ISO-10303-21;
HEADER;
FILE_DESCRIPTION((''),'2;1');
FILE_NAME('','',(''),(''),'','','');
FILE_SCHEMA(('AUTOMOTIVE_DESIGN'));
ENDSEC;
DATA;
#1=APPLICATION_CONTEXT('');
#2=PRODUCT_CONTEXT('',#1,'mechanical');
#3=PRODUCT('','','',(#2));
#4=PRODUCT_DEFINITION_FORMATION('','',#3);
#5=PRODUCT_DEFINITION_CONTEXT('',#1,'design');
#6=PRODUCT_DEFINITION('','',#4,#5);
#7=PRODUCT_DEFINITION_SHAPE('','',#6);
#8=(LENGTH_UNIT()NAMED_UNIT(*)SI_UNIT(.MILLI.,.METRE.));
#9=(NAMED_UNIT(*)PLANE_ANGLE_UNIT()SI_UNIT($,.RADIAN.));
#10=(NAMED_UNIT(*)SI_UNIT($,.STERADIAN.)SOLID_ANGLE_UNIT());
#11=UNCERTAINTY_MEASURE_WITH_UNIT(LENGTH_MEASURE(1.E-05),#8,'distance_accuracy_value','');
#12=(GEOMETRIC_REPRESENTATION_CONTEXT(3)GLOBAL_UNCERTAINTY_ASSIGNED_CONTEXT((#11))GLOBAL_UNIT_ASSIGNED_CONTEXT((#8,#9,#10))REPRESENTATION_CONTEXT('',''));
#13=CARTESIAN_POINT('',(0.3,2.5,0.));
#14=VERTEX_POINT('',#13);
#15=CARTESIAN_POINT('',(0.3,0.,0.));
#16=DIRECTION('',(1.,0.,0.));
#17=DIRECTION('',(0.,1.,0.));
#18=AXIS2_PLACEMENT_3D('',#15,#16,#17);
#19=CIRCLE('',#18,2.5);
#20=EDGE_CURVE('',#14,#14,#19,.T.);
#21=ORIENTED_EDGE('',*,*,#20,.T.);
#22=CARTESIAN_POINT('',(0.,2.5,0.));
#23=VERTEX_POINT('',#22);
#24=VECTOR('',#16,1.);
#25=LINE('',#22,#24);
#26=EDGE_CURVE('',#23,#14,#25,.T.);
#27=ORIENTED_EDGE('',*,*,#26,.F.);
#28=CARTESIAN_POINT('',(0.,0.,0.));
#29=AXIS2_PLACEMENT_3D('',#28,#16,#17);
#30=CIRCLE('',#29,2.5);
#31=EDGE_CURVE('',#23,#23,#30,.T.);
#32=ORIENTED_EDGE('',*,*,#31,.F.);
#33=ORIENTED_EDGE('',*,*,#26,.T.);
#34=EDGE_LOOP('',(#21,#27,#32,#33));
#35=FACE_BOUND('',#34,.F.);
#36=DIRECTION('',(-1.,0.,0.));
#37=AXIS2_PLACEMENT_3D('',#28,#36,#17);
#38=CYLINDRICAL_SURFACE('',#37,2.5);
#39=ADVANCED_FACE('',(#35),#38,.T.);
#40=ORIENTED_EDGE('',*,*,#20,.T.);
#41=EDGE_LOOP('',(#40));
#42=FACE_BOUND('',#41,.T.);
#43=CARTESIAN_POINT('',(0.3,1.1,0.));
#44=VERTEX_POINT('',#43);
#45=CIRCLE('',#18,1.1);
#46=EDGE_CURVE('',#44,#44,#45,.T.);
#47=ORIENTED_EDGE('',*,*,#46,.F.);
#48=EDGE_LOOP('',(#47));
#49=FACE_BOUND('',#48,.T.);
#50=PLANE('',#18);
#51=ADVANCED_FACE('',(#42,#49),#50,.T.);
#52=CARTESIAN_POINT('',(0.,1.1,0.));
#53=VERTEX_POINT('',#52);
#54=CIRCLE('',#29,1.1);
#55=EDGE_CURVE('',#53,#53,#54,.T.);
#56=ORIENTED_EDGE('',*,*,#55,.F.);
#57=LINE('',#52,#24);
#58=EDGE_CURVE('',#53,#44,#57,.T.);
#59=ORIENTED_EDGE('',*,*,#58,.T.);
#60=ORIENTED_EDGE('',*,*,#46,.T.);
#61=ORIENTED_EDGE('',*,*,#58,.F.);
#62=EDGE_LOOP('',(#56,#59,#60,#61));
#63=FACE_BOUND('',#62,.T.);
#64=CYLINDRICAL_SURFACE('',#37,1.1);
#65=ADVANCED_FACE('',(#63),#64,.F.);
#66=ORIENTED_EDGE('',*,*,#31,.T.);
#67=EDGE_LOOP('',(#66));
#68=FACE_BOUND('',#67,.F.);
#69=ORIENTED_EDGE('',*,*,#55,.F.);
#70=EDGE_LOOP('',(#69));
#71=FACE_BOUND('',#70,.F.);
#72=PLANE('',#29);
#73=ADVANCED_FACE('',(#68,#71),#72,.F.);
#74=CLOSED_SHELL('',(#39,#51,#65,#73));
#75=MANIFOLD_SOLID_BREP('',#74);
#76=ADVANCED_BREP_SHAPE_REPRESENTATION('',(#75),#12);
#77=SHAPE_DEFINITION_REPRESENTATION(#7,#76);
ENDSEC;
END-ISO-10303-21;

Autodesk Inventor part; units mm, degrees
ref_plane "YZ Plane" through (0, 0, 0) normal (1, 0, 0) x (0, 1, 0)
ref_plane "XZ Plane" through (0, 0, 0) normal (0, 1, 0) x (-1, 0, 0)
sketch "Sketch" plane through (0, 0, 0) normal (1, 0, 0) x (0, 1, 0)
  circle A0 centre (0, 0) radius 2.5
  circle A1 centre (0, 0) radius 1.1
  dimension "d0" = 2.2
  dimension "d1" = 5
extrude "Body" add sketch "Sketch" along normal blind 0.3
ref_plane "Work Plane1" through (0, 0, 0) normal (0, 0, 1) x (1, 0, 0)
equation "\"d0\" = SD1"
equation "\"d1\" = SD2"
equation "\"d2\" = SD"
equation "\"SD1\" = 2.2"
equation "\"SD2\" = 5"
equation "\"SD\" = 0.3"
equation "\"NND\" = 2"
properties part number "DIN 125 - A 2.2" material "Steel"
